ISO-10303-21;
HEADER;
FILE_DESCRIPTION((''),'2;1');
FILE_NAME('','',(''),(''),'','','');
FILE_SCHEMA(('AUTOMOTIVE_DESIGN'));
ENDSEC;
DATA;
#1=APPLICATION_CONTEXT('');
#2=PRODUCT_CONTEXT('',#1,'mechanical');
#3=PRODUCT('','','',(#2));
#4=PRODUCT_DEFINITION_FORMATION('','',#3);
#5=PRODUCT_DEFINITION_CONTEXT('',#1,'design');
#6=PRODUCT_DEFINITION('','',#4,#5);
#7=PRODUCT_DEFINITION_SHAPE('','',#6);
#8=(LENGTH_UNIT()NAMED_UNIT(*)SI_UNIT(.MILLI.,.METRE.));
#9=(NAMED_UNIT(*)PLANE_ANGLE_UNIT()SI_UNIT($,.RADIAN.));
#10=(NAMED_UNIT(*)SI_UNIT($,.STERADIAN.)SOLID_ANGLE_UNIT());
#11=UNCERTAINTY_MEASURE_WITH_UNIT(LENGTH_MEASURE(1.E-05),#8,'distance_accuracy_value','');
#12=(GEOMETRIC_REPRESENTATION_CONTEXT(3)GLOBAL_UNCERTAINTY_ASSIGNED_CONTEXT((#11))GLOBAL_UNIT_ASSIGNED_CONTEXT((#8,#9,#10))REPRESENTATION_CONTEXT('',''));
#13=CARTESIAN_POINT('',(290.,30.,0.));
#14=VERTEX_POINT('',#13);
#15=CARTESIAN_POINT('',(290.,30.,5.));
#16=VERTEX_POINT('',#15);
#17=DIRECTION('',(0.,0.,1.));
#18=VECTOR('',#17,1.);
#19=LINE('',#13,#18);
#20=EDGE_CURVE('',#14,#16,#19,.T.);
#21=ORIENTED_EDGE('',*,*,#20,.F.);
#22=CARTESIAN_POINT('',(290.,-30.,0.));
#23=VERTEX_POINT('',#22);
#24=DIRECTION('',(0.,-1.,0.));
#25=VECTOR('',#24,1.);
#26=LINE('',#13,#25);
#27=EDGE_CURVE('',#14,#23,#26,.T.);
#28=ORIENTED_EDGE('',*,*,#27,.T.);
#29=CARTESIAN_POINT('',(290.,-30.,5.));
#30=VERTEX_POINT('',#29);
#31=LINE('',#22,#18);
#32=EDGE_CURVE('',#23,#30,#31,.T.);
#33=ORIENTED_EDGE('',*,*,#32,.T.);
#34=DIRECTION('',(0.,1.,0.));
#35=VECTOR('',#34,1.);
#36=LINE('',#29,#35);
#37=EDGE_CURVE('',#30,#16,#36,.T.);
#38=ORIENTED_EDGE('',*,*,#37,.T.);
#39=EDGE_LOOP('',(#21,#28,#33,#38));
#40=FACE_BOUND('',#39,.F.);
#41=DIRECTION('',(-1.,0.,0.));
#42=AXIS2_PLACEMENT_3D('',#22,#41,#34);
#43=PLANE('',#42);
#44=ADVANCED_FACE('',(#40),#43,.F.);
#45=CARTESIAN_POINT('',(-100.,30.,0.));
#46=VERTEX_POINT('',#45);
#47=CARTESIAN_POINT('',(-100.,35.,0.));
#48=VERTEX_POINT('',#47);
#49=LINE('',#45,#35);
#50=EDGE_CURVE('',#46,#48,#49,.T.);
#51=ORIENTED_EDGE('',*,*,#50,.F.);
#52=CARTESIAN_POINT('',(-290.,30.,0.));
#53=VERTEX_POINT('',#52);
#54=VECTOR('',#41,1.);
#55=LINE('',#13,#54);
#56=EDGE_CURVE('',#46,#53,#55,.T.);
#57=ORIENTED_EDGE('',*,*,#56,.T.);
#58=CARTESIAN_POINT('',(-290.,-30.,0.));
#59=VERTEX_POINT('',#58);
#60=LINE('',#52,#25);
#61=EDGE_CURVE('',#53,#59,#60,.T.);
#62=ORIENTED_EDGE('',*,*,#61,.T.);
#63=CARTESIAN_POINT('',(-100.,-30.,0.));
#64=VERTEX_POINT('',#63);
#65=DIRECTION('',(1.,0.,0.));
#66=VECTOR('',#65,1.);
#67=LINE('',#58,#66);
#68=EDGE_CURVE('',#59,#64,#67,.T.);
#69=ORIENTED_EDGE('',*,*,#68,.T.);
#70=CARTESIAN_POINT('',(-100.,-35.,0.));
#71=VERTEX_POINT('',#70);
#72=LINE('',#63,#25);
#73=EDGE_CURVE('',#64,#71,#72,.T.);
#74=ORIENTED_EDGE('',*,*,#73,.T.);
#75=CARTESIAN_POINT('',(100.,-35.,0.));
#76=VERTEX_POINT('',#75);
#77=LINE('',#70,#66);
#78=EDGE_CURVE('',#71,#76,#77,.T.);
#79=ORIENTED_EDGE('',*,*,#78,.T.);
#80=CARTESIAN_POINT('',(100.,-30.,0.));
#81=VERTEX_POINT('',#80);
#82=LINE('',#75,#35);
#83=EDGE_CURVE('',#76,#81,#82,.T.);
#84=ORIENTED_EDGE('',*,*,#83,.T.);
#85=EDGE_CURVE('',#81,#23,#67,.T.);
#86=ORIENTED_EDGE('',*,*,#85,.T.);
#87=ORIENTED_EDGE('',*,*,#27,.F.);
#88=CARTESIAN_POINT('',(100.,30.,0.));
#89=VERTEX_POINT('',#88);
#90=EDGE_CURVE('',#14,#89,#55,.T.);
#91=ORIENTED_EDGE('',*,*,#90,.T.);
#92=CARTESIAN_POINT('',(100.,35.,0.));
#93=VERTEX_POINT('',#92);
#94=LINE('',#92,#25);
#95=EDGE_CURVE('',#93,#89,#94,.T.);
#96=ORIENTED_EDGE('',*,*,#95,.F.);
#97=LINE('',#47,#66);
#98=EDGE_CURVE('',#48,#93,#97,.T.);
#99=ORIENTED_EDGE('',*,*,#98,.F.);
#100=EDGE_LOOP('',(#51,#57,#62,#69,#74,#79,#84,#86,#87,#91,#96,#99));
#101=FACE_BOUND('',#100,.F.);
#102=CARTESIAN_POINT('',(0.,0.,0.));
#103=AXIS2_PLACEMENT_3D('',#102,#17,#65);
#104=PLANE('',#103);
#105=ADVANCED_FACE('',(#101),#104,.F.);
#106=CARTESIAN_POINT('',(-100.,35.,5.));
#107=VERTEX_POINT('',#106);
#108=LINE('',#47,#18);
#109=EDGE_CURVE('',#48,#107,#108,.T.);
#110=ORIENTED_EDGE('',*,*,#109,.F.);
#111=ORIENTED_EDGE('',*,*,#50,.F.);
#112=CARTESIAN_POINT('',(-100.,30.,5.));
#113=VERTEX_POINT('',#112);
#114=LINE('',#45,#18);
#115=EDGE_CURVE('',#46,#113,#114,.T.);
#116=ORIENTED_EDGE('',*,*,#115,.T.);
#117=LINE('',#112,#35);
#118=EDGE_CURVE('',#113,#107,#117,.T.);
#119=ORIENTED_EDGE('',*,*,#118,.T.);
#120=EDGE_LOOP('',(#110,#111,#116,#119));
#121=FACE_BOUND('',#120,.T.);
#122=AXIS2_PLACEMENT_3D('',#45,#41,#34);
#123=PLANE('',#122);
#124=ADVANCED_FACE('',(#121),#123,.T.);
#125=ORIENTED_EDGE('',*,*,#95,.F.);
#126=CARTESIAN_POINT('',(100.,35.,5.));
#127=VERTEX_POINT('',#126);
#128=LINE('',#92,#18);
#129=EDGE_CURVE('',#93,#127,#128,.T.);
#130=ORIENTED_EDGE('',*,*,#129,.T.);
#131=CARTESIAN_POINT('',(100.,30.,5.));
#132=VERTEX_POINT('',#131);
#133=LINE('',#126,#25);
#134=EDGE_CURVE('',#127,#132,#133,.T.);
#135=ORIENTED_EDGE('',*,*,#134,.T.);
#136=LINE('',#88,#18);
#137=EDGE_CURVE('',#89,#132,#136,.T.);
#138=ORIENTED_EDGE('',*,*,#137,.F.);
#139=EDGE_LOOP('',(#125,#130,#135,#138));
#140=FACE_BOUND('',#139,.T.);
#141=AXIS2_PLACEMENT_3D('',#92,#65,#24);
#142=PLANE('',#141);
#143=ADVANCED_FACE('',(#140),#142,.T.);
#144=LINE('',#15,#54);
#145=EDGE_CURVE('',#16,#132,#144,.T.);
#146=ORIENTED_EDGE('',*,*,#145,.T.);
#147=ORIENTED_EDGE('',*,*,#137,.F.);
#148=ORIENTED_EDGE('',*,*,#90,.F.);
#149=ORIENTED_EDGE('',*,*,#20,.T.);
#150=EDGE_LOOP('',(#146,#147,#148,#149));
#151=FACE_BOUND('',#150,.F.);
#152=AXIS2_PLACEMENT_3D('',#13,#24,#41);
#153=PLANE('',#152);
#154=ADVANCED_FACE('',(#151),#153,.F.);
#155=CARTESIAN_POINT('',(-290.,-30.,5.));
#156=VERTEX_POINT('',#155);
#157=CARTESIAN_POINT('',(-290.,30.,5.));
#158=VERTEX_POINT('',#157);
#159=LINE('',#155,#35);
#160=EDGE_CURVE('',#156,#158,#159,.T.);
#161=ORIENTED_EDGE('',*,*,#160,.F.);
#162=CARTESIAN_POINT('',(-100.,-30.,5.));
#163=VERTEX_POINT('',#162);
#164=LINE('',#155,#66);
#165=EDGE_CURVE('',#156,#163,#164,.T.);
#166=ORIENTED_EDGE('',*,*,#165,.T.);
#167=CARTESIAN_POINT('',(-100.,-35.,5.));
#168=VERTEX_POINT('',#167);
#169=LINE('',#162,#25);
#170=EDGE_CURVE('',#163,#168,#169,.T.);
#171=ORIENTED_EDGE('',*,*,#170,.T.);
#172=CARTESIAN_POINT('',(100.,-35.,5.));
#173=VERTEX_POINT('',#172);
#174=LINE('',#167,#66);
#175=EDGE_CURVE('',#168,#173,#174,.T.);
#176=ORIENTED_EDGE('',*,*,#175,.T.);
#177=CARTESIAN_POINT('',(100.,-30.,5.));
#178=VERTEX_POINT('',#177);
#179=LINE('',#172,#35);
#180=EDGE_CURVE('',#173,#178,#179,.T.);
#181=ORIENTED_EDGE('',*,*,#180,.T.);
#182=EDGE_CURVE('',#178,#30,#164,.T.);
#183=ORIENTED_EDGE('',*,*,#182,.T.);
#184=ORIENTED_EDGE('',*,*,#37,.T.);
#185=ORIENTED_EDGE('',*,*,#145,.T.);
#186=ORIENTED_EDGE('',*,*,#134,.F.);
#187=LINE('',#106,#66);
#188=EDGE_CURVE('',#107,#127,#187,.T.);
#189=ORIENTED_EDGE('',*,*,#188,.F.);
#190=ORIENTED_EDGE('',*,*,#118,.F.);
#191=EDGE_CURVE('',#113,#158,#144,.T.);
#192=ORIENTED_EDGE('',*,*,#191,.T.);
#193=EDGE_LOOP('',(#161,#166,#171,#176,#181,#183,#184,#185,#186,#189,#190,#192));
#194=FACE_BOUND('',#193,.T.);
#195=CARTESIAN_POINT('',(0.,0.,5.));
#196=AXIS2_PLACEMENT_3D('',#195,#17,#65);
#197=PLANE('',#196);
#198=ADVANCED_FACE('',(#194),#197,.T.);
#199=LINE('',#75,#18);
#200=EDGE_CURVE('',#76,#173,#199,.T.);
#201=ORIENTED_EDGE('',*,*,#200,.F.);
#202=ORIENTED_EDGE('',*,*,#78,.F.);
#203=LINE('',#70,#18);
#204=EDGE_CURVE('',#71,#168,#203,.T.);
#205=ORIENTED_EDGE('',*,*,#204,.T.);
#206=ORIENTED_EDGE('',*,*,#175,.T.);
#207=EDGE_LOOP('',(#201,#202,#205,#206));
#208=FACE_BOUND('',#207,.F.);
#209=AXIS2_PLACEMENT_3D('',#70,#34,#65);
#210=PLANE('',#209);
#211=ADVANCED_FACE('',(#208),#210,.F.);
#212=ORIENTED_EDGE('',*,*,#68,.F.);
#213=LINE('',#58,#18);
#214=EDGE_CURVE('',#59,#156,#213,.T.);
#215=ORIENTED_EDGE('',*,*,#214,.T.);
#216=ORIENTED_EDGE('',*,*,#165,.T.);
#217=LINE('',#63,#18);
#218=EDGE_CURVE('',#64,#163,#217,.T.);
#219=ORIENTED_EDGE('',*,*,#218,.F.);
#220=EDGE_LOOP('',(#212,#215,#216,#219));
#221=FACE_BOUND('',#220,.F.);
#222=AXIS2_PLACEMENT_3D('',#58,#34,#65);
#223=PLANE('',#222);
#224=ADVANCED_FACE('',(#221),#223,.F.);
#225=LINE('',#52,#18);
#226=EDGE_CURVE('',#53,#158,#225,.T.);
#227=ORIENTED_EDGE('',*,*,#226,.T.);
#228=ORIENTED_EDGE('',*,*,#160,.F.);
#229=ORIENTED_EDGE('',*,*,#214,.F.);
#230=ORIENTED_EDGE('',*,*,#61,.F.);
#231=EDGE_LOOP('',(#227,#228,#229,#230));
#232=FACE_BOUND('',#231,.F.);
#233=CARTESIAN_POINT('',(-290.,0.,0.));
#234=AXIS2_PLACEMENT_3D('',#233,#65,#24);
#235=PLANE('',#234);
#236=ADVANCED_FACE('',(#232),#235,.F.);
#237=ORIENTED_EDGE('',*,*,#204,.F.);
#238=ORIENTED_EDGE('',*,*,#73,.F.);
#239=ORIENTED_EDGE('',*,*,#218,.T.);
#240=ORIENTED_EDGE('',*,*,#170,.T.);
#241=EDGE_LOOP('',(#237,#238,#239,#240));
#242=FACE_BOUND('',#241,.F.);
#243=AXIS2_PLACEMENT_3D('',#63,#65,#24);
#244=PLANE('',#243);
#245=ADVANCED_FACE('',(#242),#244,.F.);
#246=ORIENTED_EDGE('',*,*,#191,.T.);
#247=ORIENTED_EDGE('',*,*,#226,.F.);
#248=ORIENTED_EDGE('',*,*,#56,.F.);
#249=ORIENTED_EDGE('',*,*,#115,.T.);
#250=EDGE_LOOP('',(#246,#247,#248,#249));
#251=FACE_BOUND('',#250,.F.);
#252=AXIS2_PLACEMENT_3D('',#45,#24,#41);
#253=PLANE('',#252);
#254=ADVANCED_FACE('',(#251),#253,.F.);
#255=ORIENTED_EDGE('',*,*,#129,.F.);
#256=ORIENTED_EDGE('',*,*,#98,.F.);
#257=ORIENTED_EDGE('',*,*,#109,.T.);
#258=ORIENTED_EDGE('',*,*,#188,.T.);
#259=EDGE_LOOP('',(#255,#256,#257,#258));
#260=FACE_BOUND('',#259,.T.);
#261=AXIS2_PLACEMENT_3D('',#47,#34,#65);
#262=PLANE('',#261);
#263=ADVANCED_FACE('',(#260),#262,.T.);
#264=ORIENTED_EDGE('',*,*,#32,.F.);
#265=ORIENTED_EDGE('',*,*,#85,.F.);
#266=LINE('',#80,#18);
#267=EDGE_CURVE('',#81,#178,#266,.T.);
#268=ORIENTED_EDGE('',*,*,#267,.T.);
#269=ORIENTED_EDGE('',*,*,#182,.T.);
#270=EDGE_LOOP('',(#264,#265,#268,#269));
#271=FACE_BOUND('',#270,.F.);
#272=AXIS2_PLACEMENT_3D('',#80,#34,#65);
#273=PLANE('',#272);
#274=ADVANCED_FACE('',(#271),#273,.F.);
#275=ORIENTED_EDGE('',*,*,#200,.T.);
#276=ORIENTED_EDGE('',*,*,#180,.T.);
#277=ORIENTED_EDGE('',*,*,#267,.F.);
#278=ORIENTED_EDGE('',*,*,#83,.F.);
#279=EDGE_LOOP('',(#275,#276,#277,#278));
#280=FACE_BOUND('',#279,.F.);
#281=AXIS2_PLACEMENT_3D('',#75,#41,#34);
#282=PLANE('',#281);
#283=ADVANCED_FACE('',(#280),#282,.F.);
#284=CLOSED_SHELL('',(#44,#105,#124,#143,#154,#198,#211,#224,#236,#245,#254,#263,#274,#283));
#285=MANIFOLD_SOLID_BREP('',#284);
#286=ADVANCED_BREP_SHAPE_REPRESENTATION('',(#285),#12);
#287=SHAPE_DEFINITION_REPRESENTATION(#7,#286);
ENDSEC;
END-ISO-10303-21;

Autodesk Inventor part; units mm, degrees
ref_plane "YZ Plane" through (0, 0, 0) normal (1, 0, 0) x (0, 1, 0)
ref_plane "XZ Plane" through (0, 0, 0) normal (0, 1, 0) x (-1, 0, 0)
ref_plane "XY Plane" through (0, 0, 0) normal (0, 0, 1) x (1, 0, 0)
sketch "Sketch1" plane through (0, 0, 0) normal (0, 0, 1) x (1, 0, 0)
  line L0 (-290, -30) -> (290, -30)
  line L1 (290, -30) -> (290, 30)
  line L2 (290, 30) -> (-290, 30)
  line L3 (-290, 30) -> (-290, -30)
  line L4 (-290, -30) -> (290, 30) construction
  line L5 (290, -30) -> (-290, 30) construction
  line L6 (-100, 35) -> (100, 35)
  line L7 (100, 35) -> (100, 30)
  line L8 (100, 30) -> (-100, 30)
  line L9 (-100, 30) -> (-100, 35)
  line L10 (-100, 35) -> (100, 30) construction
  line L11 (100, 35) -> (-100, 30) construction
  line L12 (-290, 0) -> (290, 0)
  line L13 (-100, -35) -> (100, -35)
  line L14 (100, -35) -> (100, -30)
  line L15 (100, -30) -> (-100, -30)
  line L16 (-100, -30) -> (-100, -35)
  line L17 (-100, -35) -> (100, -30) construction
  line L18 (100, -35) -> (-100, -30) construction
  point P0 (0, 0)
  point P1 (0, 32.5)
  point P2 (0, 30)
  point P3 (0, -32.5)
  point P4 (0, -30)
  point P5 (-100, 30)
  point P6 (-100, -30)
  dimension "d0" = 580
  dimension "d1" = 60
  dimension "d2" = 5
  dimension "d3" = 200
extrude "Plate1" add sketch "Sketch1" along normal blind 5
equation "\"d4\" = Thickness"
equation "\"BendRadius\" = Thickness"
equation "\"BendReliefWidth\" = Thickness"
equation "\"BendReliefDepth\" = 0.5 * Thickness"
equation "\"TransitionRadius\" = BendRadius"
equation "\"JacobiRadiusSize\" = BendRadius"
equation "\"GapSize\" = Thickness"
equation "\"Thickness\" = 5"
properties part number "Table-Base Fixation"
